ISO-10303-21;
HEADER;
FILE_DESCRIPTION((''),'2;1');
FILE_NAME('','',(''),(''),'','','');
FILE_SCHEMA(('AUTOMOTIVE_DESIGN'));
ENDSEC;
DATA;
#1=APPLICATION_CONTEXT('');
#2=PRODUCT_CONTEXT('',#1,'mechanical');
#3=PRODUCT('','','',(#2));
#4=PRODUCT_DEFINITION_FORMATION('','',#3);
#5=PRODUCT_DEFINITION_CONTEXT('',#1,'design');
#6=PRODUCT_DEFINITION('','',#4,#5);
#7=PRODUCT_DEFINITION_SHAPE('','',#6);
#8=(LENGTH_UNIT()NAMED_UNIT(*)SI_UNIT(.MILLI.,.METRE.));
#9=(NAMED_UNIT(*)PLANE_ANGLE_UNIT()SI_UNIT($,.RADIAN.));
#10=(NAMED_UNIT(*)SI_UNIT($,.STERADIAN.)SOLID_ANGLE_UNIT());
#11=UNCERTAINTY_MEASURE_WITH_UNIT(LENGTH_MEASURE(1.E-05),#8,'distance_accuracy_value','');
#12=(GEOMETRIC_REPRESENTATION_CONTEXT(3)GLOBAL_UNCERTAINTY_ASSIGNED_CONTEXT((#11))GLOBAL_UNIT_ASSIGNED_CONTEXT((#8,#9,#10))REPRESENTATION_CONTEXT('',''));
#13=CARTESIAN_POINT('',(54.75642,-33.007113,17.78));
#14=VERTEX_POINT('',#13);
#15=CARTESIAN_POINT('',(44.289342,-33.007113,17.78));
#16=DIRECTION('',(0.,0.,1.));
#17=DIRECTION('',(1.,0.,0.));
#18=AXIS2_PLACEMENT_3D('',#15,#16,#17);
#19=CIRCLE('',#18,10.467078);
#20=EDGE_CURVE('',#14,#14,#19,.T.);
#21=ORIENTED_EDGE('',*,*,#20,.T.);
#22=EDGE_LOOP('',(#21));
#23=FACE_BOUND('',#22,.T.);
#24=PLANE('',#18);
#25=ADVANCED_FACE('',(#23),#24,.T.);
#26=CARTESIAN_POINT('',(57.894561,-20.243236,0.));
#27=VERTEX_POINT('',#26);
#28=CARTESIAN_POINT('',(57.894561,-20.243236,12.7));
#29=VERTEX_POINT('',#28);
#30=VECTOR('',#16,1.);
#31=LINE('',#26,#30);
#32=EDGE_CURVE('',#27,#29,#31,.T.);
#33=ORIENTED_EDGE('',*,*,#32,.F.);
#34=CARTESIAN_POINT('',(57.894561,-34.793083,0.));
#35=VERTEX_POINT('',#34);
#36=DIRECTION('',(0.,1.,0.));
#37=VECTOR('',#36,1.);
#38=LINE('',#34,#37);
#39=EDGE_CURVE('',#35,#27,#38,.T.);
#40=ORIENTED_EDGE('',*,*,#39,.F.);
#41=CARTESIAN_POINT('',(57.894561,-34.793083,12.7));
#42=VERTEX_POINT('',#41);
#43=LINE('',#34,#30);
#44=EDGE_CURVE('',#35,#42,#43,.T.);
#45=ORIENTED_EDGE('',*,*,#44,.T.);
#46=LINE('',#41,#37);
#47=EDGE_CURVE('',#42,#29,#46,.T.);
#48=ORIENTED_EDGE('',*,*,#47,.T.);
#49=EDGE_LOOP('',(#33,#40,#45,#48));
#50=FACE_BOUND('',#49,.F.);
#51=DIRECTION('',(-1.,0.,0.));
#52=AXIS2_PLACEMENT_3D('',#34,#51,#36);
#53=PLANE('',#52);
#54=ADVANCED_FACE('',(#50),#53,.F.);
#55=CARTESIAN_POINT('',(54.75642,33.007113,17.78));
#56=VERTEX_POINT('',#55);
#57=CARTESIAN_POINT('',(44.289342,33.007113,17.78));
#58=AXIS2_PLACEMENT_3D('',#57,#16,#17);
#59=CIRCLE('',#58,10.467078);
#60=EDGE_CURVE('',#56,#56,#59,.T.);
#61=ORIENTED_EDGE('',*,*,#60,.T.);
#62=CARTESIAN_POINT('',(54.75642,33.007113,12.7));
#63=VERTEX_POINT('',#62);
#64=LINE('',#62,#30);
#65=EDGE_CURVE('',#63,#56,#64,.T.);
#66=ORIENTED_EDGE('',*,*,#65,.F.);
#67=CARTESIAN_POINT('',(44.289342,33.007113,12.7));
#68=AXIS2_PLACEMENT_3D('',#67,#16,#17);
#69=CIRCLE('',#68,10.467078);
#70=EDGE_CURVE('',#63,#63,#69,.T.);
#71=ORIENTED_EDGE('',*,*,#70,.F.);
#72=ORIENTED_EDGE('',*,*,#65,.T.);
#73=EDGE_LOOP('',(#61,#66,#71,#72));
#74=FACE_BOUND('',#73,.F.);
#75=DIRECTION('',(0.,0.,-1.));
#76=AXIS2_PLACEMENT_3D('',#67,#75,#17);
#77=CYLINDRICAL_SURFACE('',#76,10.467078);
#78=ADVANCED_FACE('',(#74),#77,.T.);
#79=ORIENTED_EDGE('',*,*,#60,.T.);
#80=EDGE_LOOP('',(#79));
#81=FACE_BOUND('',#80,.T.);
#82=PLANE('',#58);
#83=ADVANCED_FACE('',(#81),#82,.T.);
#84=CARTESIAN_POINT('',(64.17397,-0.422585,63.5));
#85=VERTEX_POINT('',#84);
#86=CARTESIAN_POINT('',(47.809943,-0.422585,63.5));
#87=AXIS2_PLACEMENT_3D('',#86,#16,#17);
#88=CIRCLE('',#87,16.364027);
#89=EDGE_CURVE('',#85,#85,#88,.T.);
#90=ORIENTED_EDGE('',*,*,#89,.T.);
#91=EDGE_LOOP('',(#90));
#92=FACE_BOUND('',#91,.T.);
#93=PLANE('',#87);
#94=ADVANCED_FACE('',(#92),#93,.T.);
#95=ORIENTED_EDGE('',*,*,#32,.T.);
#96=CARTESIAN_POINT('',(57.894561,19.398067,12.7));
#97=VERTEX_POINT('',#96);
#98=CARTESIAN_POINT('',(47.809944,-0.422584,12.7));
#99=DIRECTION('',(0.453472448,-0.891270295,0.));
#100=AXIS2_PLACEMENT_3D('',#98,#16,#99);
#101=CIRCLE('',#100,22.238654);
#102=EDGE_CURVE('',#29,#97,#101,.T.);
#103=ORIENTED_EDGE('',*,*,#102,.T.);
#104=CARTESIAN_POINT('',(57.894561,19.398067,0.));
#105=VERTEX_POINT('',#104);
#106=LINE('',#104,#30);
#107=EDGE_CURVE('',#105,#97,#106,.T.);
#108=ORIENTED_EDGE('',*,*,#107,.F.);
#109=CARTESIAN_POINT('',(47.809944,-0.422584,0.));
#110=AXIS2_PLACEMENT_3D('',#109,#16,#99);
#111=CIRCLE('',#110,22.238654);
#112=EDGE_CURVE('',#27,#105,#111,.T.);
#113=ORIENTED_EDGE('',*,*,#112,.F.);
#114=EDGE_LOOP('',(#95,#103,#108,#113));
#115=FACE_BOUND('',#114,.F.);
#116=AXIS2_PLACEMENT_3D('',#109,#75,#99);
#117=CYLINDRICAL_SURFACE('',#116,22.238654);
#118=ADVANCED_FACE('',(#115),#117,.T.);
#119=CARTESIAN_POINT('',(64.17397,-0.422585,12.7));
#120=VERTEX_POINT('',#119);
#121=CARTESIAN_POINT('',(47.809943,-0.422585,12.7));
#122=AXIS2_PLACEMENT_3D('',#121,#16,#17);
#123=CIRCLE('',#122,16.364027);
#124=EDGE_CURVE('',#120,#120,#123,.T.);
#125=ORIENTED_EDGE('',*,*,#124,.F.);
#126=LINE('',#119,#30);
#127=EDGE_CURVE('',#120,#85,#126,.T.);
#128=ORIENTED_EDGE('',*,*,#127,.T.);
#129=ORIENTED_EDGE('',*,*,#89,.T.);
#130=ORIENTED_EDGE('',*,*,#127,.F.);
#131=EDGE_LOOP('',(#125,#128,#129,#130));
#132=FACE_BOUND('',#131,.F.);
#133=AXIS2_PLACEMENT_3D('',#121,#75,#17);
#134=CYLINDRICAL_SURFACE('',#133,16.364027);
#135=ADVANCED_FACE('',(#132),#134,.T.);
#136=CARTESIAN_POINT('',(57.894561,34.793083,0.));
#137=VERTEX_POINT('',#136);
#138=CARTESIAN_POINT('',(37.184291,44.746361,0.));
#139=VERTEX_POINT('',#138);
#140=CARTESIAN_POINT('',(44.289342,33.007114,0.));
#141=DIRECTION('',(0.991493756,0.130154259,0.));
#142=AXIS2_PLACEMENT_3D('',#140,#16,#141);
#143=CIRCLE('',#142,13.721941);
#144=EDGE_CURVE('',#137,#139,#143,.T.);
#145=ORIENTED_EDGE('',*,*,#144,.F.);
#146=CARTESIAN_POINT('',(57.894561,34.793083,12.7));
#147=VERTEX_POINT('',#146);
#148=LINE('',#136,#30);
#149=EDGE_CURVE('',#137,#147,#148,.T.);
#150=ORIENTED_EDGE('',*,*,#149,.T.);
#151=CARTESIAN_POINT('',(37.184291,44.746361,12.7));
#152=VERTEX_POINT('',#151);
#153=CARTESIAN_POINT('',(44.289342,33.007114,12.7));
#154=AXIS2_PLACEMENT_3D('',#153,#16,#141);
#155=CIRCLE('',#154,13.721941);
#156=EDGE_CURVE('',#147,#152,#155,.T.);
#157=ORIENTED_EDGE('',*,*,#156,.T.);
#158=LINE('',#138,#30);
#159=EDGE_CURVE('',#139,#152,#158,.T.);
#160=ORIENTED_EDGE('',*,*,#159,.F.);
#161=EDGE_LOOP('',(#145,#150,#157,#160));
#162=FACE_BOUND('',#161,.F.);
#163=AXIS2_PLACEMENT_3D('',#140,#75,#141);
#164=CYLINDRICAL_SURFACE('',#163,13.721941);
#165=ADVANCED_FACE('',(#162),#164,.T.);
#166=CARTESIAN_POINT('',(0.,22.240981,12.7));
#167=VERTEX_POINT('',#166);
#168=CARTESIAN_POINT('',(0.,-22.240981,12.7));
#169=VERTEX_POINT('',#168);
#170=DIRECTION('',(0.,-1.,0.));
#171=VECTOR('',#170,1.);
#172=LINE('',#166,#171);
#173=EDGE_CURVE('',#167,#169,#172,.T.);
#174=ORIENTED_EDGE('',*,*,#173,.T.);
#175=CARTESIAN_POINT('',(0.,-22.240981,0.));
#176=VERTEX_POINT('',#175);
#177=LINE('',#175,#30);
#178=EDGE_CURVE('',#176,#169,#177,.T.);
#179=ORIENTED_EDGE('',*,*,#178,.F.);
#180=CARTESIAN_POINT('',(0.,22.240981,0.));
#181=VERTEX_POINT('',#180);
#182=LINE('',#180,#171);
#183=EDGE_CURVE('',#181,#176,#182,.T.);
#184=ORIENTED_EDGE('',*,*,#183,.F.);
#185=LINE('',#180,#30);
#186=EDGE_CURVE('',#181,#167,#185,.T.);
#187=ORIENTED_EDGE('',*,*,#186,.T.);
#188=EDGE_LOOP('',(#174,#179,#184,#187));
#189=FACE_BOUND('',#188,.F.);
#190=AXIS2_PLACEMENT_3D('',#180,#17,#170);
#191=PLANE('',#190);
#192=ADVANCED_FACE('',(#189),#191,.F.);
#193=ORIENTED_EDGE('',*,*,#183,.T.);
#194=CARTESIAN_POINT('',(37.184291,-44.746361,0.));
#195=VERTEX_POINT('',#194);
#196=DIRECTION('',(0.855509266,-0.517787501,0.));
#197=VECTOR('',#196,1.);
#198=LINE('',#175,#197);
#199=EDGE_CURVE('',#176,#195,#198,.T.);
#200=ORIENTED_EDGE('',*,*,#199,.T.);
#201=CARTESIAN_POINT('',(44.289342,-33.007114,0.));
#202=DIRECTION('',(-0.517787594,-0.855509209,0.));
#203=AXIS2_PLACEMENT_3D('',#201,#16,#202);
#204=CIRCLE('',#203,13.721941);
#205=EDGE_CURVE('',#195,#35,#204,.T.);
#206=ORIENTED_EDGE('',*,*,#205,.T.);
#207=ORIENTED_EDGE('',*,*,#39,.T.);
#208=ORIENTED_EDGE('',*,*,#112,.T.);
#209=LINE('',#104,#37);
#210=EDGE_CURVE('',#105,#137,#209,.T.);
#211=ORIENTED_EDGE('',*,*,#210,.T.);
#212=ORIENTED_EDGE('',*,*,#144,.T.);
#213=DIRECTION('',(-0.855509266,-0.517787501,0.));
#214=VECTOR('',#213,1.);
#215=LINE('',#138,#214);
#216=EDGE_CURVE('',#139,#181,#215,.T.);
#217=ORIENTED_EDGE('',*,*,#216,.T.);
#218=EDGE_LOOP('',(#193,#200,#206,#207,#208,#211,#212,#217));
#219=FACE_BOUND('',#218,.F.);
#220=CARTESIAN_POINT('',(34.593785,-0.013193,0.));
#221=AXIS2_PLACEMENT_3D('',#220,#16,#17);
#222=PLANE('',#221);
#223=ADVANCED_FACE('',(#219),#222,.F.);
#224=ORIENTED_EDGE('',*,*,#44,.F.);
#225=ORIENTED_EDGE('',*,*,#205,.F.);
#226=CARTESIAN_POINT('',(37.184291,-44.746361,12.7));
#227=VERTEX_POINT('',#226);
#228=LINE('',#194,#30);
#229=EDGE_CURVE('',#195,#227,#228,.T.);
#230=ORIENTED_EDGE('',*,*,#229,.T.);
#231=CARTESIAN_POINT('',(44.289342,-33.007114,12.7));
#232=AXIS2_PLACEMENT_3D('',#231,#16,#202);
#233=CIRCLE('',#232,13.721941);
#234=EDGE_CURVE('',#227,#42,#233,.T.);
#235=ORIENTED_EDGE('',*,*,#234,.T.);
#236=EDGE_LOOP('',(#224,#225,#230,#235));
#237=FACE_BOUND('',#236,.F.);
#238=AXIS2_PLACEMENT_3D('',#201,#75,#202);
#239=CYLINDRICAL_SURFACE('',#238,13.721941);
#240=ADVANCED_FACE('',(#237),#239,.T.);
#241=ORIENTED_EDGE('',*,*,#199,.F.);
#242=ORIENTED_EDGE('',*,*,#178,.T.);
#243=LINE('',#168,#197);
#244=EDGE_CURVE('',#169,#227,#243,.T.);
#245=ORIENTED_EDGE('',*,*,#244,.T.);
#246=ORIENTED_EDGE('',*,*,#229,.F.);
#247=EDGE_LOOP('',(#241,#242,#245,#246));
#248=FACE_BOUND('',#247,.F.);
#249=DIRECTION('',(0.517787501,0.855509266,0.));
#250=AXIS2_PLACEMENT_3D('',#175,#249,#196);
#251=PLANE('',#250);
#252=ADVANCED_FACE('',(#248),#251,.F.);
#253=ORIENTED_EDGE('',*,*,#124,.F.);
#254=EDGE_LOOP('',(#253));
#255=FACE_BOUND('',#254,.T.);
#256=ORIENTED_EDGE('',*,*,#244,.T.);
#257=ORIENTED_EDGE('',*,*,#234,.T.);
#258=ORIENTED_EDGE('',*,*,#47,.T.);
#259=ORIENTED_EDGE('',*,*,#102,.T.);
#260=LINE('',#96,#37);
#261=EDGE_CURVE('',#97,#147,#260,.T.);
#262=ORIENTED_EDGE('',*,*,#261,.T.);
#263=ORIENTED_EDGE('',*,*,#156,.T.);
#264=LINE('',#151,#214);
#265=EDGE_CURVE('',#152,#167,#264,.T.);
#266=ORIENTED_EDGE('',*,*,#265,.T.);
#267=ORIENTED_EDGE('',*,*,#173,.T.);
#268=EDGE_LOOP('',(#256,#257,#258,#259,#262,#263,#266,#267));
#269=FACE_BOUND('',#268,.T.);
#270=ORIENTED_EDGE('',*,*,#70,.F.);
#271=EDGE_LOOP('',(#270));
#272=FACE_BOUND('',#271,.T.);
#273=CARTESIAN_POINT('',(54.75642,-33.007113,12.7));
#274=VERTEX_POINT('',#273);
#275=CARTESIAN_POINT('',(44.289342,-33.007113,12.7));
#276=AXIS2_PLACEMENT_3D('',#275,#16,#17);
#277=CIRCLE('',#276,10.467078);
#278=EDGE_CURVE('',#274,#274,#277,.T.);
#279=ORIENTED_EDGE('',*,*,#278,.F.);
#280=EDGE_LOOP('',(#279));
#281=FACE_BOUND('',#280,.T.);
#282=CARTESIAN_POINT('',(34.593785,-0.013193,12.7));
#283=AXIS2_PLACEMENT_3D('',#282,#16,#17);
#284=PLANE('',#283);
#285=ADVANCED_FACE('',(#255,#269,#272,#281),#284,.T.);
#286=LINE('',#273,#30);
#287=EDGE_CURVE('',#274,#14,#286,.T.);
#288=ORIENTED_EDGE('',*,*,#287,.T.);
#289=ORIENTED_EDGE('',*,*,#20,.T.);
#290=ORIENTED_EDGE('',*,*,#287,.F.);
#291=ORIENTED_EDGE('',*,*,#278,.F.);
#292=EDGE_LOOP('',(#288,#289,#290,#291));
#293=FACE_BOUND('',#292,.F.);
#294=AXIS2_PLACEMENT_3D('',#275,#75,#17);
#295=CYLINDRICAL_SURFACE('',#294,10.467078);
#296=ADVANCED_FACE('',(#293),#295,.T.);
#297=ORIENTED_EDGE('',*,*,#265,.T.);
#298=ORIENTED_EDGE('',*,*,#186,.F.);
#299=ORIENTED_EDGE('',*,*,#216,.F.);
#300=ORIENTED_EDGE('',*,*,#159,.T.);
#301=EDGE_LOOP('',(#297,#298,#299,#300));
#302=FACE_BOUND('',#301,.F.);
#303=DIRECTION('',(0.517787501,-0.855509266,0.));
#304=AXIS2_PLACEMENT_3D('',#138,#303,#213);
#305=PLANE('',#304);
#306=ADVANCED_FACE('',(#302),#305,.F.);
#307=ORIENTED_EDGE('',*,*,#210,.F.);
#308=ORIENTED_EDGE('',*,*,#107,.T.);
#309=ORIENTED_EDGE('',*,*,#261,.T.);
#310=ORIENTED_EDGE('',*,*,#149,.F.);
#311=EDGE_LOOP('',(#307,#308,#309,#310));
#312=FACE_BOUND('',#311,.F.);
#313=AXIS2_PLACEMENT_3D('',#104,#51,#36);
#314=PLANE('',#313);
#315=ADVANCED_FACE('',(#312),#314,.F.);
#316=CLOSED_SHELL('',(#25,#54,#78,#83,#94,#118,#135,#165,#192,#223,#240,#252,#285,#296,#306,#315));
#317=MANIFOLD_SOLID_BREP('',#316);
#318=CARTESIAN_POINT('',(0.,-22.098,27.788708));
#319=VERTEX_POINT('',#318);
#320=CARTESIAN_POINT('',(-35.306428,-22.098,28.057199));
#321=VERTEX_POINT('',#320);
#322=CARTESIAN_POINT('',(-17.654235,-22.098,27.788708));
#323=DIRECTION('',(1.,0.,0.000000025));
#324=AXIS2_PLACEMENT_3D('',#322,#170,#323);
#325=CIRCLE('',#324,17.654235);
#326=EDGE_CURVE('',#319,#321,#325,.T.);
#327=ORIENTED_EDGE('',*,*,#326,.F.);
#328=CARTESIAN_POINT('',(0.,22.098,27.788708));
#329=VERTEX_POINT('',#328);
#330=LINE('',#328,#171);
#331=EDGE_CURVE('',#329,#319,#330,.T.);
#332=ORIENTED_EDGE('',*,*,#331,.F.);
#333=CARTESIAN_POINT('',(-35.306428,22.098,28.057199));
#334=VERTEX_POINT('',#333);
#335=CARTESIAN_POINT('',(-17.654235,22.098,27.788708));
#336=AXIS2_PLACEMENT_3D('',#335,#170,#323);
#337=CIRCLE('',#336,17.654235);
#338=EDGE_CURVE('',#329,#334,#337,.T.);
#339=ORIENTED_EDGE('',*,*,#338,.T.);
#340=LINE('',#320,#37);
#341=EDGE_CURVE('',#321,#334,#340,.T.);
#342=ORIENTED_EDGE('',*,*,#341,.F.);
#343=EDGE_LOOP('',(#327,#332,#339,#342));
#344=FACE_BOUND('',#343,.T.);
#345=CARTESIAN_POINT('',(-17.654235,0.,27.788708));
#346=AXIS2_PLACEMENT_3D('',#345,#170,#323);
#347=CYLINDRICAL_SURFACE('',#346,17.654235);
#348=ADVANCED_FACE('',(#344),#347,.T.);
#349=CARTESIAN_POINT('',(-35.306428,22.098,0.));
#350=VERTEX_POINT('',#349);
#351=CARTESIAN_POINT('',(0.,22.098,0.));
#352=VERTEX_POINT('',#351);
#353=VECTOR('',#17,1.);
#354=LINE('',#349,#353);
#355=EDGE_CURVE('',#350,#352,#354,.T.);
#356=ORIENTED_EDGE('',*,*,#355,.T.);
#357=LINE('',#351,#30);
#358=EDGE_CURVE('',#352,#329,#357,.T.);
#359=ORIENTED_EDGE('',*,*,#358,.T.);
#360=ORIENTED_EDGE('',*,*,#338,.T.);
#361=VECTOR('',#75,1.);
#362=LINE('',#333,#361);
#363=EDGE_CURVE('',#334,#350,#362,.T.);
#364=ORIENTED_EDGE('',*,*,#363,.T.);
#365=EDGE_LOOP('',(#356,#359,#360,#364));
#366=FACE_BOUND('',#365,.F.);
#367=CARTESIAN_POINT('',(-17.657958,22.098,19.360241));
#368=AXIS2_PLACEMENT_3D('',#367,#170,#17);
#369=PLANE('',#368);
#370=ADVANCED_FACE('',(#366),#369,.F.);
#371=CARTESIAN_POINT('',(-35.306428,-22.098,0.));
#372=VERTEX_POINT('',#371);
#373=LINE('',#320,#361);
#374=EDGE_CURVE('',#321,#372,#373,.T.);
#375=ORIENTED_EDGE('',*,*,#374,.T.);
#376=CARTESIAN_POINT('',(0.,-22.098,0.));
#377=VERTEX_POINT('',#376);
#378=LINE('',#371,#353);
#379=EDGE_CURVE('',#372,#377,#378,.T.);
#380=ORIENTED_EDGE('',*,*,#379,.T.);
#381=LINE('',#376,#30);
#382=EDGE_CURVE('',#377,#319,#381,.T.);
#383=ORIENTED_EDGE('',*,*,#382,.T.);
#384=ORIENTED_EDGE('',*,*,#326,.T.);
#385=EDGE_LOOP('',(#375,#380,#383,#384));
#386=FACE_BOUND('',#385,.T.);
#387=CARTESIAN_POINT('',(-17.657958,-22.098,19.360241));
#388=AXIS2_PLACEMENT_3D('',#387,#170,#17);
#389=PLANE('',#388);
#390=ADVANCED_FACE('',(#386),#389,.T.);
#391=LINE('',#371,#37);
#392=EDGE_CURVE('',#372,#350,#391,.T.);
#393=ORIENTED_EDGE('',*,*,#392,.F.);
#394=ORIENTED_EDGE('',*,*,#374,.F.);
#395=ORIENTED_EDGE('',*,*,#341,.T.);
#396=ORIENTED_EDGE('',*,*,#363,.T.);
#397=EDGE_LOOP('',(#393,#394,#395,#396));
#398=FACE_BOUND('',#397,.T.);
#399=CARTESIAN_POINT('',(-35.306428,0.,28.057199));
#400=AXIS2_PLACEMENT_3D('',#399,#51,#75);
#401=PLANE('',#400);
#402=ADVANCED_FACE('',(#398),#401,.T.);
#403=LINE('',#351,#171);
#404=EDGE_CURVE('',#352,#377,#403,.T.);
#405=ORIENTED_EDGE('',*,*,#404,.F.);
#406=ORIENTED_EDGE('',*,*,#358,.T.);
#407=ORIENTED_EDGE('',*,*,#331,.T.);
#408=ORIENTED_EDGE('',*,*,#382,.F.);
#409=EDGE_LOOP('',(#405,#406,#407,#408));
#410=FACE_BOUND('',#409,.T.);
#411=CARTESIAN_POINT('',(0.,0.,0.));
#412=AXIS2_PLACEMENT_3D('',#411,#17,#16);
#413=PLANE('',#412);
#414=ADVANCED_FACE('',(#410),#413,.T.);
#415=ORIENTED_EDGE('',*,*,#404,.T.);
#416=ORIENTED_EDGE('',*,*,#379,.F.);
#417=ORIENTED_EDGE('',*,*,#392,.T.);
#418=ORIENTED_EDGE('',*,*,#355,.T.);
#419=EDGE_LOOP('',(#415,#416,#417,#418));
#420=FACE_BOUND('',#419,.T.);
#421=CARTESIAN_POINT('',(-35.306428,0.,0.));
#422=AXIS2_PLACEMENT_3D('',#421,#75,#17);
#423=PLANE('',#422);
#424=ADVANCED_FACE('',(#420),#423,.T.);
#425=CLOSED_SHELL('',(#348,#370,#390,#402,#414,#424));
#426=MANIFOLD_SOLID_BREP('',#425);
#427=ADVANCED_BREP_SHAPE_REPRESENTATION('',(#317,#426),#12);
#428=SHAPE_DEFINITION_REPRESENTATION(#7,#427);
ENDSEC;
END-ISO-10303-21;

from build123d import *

# Parameters (mm, degrees)
F1_DEPTH = 12.7
F3_DEPTH = 22.098
F4_R     = 10.467078
F5_DEPTH = 5.08
F4_R_2   = 16.364027
F6_DEPTH = 50.8


with BuildPart() as f1:
    # F0 (on Top) → F1 (new body)
    with BuildSketch(Plane.XY):
        with BuildLine():
            Line((37.184291, 44.746361), (0, 22.240981))
            Line((0, 22.240981), (0, -22.240981))
            Line((0, -22.240981), (37.184291, -44.746361))
            ThreePointArc((37.184291, -44.746361), (50.233245, -45.374882), (57.894561, -34.793083))
            Line((57.894561, -34.793083), (57.894561, -20.243236))
            ThreePointArc((57.894561, -20.243236), (70.048598, -0.422585), (57.894561, 19.398067))
            Line((57.894561, 19.398067), (57.894561, 34.793083))
            ThreePointArc((57.894561, 34.793083), (50.233245, 45.374882), (37.184291, 44.746361))
        make_face()
    extrude(amount=F1_DEPTH)

    # F4 (on face) → F5 (join)
    with BuildSketch(Plane.XY.offset(12.7)):
        with Locations((44.289342, -33.007113)):
            Circle(F4_R)
        with Locations((44.289342, 33.007113)):
            Circle(F4_R)
    extrude(amount=F5_DEPTH)

    # F4 (on face) → F6 (join)
    with BuildSketch(Plane.XY.offset(12.7)):
        with Locations((47.809943, -0.422585)):
            Circle(F4_R_2)
    extrude(amount=F6_DEPTH)


with BuildPart() as f3:
    # F2 (on Front) → F3 (new body, symmetric)
    with BuildSketch(Plane.XZ):
        with BuildLine():
            Line((-35.306428, 0), (0, 0))
            Line((0, 0), (0, 27.788708))
            ThreePointArc((0, 27.788708), (-17.519985, 45.442432), (-35.306428, 28.057199))
            Line((-35.306428, 28.057199), (-35.306428, 0))
        make_face()
    extrude(amount=F3_DEPTH, both=True)


solid = Compound([f1.part, f3.part])
